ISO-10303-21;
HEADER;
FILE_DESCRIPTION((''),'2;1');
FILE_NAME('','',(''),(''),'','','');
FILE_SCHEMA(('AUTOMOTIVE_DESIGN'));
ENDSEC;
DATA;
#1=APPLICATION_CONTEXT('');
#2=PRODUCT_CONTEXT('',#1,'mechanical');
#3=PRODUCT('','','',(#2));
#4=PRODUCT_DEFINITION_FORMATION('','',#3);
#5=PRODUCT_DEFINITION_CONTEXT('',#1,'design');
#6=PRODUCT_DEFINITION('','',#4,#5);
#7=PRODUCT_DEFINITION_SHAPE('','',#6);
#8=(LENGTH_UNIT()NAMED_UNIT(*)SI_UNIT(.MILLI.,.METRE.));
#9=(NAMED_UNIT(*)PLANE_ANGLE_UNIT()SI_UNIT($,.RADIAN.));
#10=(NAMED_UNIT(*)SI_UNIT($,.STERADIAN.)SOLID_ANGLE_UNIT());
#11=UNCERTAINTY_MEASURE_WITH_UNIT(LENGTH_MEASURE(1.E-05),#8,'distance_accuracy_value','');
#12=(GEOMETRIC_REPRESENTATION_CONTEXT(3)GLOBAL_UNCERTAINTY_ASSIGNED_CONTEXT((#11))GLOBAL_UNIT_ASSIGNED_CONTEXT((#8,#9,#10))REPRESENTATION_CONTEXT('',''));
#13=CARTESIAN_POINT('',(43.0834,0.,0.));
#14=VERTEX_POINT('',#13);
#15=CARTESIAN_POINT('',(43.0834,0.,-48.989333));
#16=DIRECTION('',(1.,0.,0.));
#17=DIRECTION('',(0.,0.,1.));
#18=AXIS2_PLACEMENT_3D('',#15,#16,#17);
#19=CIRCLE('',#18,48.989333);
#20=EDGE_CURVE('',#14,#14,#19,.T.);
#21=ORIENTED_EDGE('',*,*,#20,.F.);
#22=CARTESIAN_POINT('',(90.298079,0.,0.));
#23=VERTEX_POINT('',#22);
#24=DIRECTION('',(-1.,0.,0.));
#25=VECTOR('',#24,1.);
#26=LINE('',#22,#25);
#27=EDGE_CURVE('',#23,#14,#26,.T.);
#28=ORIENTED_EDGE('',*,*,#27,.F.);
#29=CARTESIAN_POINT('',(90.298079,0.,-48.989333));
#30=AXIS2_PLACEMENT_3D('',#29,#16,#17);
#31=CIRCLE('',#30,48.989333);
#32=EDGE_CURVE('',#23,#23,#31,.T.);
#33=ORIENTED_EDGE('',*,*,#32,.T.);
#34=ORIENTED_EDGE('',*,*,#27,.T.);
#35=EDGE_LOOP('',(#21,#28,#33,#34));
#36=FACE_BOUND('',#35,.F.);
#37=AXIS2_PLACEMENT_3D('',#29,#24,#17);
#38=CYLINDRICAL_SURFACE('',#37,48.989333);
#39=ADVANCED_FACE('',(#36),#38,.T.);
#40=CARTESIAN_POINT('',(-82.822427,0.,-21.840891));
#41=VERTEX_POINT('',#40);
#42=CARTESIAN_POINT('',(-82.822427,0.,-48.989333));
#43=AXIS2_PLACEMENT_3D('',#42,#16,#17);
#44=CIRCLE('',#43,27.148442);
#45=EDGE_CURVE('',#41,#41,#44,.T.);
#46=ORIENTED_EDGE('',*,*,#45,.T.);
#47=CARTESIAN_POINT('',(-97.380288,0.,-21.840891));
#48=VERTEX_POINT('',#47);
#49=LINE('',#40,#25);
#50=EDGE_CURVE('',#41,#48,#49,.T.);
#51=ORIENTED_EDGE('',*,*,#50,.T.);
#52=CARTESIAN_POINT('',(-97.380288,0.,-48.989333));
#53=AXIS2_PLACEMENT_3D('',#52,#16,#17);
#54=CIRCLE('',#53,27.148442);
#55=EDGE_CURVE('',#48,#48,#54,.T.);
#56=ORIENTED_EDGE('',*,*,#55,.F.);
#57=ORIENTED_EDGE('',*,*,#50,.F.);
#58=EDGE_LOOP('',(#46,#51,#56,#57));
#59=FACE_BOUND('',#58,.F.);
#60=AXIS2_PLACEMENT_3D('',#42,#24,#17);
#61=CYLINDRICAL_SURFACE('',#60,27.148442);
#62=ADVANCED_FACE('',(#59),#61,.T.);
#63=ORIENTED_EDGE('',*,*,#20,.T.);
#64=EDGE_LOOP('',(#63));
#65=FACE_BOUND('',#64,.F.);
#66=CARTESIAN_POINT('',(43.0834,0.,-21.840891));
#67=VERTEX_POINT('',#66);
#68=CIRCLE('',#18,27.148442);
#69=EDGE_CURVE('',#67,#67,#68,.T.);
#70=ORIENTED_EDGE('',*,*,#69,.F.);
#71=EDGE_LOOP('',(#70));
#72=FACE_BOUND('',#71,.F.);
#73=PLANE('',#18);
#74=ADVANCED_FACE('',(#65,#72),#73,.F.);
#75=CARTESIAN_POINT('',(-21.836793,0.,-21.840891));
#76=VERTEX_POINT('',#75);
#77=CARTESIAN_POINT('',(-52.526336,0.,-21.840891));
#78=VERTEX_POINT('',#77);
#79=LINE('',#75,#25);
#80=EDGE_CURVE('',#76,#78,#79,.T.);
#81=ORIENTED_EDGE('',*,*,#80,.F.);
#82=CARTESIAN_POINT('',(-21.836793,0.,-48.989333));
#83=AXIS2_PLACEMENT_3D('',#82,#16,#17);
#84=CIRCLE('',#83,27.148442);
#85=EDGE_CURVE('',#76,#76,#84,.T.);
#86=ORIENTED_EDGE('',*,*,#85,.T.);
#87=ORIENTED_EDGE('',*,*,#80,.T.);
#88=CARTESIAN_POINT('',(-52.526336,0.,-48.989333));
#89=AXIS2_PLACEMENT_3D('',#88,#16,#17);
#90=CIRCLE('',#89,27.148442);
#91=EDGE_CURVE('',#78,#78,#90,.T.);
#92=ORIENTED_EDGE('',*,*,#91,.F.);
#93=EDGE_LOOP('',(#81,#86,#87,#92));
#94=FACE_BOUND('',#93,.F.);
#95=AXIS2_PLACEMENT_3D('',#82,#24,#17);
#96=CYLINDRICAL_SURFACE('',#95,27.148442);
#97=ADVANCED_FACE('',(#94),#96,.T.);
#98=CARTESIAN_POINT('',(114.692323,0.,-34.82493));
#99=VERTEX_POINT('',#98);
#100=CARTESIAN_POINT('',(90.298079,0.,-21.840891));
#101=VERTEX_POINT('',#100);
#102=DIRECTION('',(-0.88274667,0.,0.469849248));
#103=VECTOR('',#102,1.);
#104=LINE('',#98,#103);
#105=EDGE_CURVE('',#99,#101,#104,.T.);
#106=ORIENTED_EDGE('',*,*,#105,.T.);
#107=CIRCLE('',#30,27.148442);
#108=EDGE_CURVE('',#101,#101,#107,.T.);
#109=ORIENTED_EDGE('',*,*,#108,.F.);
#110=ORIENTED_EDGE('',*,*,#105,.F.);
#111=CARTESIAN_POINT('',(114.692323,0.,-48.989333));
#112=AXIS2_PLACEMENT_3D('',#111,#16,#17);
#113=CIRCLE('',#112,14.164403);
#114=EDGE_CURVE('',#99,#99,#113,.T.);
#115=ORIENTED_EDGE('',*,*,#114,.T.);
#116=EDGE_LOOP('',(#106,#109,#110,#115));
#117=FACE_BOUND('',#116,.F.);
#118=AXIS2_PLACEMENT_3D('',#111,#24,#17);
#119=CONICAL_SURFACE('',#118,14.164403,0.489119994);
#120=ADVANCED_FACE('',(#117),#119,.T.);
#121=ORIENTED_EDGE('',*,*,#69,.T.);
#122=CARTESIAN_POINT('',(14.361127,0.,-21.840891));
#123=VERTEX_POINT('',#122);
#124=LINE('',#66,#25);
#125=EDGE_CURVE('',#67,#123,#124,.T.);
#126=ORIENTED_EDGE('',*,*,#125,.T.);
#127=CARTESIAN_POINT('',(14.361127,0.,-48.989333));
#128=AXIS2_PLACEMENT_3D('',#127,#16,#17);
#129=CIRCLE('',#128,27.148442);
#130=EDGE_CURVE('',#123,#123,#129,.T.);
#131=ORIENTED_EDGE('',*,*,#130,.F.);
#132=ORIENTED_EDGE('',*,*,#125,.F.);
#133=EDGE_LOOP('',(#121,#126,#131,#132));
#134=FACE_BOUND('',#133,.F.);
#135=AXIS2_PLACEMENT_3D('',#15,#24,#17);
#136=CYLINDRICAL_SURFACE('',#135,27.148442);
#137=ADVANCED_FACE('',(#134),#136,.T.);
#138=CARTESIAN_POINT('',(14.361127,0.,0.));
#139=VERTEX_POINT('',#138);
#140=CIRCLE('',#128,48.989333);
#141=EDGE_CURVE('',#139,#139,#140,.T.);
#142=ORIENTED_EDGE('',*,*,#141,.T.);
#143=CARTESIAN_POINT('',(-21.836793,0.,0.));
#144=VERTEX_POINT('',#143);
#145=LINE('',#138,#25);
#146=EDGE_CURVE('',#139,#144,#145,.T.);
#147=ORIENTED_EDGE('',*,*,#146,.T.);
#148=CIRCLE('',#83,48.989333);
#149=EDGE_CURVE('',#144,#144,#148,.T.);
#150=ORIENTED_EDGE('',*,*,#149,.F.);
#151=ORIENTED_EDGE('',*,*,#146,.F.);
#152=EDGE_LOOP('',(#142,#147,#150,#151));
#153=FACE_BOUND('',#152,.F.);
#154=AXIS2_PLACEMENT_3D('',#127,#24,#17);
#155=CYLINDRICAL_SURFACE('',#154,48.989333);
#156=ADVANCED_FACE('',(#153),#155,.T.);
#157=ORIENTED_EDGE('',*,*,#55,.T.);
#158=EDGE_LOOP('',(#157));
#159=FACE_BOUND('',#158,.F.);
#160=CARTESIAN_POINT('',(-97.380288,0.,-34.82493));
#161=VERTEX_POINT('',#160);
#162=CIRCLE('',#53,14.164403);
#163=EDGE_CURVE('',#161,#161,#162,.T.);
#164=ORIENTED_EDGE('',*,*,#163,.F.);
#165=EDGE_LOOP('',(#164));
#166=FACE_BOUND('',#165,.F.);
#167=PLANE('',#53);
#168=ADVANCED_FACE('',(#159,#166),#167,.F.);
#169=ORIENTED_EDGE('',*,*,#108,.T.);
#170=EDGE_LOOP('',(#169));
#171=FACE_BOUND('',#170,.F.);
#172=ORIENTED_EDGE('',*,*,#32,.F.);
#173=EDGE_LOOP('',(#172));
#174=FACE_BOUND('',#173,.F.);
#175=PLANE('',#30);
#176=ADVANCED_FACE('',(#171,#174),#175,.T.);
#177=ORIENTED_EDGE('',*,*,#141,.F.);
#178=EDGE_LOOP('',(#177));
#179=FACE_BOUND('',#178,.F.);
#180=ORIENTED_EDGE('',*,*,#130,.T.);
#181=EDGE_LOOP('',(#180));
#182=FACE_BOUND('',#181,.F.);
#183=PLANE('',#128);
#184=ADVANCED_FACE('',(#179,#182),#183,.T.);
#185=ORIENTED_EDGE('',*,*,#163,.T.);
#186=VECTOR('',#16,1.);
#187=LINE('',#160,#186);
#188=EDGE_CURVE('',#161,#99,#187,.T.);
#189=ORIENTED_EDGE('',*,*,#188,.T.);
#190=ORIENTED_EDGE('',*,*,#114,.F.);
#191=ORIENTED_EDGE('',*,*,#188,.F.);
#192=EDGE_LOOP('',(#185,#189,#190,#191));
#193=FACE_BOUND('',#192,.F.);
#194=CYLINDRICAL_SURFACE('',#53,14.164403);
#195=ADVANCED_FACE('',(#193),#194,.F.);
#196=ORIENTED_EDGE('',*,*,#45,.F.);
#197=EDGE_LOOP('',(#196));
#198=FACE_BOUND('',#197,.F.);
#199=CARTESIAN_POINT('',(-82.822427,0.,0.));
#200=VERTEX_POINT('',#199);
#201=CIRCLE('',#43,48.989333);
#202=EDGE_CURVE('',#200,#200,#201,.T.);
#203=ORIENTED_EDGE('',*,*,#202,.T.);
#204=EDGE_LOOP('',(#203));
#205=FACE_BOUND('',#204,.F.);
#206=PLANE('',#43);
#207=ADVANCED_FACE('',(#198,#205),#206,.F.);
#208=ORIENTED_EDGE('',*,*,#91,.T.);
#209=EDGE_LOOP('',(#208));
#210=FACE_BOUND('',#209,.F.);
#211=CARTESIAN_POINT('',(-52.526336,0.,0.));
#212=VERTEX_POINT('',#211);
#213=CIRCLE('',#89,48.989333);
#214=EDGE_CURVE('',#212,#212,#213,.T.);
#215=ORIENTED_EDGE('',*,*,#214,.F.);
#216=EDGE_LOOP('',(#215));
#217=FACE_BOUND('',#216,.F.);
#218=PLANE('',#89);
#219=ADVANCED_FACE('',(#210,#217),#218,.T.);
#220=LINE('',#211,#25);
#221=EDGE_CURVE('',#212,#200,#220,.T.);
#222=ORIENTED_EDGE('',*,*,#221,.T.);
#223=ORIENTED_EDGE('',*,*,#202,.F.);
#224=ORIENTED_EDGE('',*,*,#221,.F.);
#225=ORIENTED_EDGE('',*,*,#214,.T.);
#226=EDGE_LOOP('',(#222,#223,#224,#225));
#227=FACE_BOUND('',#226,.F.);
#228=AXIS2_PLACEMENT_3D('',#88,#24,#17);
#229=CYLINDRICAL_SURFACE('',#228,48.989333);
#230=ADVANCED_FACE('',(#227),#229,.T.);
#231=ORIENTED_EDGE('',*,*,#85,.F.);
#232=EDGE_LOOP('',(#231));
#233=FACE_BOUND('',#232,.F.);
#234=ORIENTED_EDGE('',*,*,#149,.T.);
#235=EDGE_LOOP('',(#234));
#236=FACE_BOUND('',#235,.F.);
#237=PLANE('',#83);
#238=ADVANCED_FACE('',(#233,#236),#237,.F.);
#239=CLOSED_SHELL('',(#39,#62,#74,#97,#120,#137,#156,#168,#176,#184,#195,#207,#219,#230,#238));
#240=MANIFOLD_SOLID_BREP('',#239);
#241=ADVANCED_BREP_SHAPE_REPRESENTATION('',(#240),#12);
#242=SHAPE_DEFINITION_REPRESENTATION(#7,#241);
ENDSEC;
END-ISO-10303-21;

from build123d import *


with BuildPart() as f1:
    # F0 (on Front) → F1 (revolve)
    with BuildSketch(Plane.XZ):
        Polygon((-97.380288, -21.840891), (-97.380288, -34.82493), (114.692323, -34.82493), (90.298079, -21.840891), (90.298079, 0), (43.0834, 0), (43.0834, -21.840891), (14.361127, -21.840891), (14.361127, 0), (-21.836793, 0), (-21.836793, -21.840891), (-52.526336, -21.840891), (-52.526336, 0), (-82.822427, 0), (-82.822427, -21.840891), align=None)
    revolve(axis=Axis((6.492015, 0, -48.989333), (1, 0, 0)))


solid = f1.part
